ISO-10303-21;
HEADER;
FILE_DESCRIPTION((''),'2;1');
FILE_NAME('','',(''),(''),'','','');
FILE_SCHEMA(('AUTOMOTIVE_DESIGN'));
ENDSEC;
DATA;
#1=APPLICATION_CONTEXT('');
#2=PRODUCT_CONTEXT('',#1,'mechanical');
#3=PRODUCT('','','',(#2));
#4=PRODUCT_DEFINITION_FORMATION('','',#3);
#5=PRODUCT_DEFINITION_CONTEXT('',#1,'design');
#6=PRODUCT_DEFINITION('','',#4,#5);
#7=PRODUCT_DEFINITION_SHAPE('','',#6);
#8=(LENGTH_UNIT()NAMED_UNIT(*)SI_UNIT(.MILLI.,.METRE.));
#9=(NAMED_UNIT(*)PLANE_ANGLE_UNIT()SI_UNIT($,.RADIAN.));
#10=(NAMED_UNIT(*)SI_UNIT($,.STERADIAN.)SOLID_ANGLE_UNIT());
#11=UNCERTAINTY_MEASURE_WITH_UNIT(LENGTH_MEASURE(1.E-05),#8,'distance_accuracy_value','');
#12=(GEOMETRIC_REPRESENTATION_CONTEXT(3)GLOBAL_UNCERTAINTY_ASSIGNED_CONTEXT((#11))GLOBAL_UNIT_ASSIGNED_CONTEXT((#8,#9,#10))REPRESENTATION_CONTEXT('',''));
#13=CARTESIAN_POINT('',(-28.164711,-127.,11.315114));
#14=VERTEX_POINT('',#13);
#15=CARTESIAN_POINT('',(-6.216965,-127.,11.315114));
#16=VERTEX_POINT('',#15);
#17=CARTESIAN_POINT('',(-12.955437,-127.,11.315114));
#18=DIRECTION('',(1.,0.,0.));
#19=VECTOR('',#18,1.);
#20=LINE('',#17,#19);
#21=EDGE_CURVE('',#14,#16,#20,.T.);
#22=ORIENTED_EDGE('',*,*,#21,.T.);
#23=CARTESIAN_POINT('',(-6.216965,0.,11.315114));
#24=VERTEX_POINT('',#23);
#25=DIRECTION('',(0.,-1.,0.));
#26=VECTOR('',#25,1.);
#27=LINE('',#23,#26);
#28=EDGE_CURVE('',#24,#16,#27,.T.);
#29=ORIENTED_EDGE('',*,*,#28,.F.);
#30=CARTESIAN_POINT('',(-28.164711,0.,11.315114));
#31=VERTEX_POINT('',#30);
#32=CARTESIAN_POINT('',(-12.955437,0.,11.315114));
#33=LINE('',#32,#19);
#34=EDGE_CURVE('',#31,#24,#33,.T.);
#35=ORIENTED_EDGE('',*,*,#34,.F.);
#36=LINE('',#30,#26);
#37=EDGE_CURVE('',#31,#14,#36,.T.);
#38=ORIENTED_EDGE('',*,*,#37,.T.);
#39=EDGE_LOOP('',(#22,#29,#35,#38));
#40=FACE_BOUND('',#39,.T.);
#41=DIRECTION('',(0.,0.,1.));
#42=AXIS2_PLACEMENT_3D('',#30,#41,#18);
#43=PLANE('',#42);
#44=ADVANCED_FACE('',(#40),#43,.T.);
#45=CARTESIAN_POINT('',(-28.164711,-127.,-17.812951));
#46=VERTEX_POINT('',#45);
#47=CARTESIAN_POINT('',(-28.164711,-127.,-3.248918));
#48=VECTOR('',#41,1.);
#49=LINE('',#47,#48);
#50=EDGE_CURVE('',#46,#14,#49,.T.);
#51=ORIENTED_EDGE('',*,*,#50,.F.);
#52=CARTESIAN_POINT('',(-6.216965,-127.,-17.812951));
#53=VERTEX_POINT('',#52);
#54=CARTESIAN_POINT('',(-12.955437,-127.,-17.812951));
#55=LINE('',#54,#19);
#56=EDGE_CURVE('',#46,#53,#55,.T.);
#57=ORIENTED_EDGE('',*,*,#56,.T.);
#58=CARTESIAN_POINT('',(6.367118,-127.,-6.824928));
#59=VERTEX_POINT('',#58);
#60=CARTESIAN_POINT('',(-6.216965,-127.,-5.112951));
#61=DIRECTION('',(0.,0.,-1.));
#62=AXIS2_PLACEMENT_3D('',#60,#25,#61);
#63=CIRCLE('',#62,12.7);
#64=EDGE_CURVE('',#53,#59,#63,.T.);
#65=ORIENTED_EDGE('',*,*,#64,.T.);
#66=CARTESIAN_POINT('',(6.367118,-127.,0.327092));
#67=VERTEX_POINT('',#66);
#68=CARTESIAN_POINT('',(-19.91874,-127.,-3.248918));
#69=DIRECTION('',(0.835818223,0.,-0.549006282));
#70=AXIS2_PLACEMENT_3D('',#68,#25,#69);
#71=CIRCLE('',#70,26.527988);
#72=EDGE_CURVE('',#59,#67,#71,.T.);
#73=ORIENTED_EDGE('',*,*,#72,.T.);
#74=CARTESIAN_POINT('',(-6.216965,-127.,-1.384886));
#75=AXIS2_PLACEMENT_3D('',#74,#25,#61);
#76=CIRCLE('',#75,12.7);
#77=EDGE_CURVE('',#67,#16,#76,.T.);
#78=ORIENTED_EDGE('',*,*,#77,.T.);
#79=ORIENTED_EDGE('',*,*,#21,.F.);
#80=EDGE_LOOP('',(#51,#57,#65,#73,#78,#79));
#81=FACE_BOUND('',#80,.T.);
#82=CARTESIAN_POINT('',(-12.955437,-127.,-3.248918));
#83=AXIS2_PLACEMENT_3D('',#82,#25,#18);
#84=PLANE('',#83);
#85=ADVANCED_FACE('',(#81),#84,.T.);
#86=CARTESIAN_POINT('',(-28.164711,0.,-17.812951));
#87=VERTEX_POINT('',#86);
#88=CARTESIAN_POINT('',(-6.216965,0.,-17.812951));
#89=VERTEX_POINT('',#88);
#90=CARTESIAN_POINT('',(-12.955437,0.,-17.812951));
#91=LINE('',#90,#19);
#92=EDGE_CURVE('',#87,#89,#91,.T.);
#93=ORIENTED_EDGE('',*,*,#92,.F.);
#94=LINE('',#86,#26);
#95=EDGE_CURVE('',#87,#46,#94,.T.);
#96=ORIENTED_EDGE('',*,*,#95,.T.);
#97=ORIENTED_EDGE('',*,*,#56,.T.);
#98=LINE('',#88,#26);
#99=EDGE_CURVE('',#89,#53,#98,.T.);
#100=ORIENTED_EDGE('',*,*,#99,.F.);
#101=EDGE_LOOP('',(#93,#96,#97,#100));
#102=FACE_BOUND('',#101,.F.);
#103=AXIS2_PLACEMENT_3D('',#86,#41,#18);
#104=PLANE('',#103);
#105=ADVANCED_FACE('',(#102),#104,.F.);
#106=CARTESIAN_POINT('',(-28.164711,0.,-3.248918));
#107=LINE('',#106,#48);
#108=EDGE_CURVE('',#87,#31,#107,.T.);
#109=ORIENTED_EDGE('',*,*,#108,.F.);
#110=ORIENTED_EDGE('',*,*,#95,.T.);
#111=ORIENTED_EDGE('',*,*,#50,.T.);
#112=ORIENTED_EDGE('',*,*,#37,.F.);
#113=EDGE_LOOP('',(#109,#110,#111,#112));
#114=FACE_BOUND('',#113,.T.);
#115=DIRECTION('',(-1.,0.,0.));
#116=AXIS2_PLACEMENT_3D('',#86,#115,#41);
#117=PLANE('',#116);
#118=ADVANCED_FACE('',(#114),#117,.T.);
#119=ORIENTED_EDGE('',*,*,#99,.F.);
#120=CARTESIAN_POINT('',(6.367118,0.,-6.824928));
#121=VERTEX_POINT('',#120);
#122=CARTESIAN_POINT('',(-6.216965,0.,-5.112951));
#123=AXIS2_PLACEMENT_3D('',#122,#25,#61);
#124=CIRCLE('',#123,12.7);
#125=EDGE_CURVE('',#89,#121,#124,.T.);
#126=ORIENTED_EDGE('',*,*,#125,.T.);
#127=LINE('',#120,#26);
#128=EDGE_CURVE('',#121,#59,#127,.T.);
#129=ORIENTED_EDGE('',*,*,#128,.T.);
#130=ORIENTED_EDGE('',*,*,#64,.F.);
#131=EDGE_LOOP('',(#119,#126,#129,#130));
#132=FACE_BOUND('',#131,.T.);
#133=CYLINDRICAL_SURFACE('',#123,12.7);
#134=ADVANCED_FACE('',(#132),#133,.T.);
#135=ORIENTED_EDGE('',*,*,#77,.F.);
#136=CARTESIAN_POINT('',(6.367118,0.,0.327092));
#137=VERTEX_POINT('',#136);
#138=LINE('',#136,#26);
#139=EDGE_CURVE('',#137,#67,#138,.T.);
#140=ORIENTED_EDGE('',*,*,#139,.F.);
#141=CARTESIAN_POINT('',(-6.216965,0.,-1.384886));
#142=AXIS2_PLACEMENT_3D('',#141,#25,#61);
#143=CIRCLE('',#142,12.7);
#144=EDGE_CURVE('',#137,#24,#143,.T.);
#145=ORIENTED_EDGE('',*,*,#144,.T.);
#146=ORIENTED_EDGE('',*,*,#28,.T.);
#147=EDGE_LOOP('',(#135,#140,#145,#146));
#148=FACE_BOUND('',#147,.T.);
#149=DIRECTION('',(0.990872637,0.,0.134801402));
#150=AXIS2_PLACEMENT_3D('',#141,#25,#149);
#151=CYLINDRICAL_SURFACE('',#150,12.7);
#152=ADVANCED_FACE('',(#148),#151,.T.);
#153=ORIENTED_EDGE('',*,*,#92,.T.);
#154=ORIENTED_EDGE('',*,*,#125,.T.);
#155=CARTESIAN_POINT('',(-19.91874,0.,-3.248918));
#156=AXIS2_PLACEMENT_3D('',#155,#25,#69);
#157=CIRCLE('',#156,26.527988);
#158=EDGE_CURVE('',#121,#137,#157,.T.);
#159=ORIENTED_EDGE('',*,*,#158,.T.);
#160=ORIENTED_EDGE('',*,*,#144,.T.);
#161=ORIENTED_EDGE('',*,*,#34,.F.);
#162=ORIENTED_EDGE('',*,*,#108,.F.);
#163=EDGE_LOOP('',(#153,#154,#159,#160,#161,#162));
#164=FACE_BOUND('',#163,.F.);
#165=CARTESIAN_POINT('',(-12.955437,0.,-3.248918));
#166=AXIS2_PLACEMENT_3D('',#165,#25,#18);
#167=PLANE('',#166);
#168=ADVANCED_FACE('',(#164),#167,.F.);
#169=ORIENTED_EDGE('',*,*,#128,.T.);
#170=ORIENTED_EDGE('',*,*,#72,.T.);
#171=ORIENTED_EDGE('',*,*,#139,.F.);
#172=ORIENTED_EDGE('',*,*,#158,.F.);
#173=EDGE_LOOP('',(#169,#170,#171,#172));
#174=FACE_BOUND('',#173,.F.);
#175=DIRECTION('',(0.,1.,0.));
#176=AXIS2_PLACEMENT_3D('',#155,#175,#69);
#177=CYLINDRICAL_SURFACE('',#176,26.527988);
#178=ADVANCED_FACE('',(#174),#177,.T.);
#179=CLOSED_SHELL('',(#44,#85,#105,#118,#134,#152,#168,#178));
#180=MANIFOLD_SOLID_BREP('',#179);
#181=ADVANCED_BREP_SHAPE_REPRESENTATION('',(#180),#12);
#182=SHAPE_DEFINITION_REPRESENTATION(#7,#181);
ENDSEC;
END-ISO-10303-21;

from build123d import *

# Parameters (mm, degrees)
F0_W     = 30.4185468704
F0_H     = 29.1280644014
F1_DEPTH = 127
F2_R     = 12.7


with BuildPart() as f1:
    # F0 (on Front) → F1 (new body)
    with BuildSketch(Plane.XZ):
        with Locations((-12.9554374143, -3.2489183359)):
            Rectangle(F0_W, F0_H)
        with BuildLine():
            ThreePointArc((2.2538360208, -17.8129505366), (6.6092482704, -3.2489183359), (2.2538360208, 11.3151138648))
            Line((2.2538360208, 11.3151138648), (2.2538360208, -17.8129505366))
        make_face()
    extrude(amount=F1_DEPTH)

    # F2
    f2_edges = [f1.edges().sort_by_distance(p)[0] for p in [
        (2.253836, -63.5, 11.315114),
        (2.253836, -63.5, -17.812951),
    ]]
    fillet(f2_edges, radius=F2_R)


solid = f1.part
